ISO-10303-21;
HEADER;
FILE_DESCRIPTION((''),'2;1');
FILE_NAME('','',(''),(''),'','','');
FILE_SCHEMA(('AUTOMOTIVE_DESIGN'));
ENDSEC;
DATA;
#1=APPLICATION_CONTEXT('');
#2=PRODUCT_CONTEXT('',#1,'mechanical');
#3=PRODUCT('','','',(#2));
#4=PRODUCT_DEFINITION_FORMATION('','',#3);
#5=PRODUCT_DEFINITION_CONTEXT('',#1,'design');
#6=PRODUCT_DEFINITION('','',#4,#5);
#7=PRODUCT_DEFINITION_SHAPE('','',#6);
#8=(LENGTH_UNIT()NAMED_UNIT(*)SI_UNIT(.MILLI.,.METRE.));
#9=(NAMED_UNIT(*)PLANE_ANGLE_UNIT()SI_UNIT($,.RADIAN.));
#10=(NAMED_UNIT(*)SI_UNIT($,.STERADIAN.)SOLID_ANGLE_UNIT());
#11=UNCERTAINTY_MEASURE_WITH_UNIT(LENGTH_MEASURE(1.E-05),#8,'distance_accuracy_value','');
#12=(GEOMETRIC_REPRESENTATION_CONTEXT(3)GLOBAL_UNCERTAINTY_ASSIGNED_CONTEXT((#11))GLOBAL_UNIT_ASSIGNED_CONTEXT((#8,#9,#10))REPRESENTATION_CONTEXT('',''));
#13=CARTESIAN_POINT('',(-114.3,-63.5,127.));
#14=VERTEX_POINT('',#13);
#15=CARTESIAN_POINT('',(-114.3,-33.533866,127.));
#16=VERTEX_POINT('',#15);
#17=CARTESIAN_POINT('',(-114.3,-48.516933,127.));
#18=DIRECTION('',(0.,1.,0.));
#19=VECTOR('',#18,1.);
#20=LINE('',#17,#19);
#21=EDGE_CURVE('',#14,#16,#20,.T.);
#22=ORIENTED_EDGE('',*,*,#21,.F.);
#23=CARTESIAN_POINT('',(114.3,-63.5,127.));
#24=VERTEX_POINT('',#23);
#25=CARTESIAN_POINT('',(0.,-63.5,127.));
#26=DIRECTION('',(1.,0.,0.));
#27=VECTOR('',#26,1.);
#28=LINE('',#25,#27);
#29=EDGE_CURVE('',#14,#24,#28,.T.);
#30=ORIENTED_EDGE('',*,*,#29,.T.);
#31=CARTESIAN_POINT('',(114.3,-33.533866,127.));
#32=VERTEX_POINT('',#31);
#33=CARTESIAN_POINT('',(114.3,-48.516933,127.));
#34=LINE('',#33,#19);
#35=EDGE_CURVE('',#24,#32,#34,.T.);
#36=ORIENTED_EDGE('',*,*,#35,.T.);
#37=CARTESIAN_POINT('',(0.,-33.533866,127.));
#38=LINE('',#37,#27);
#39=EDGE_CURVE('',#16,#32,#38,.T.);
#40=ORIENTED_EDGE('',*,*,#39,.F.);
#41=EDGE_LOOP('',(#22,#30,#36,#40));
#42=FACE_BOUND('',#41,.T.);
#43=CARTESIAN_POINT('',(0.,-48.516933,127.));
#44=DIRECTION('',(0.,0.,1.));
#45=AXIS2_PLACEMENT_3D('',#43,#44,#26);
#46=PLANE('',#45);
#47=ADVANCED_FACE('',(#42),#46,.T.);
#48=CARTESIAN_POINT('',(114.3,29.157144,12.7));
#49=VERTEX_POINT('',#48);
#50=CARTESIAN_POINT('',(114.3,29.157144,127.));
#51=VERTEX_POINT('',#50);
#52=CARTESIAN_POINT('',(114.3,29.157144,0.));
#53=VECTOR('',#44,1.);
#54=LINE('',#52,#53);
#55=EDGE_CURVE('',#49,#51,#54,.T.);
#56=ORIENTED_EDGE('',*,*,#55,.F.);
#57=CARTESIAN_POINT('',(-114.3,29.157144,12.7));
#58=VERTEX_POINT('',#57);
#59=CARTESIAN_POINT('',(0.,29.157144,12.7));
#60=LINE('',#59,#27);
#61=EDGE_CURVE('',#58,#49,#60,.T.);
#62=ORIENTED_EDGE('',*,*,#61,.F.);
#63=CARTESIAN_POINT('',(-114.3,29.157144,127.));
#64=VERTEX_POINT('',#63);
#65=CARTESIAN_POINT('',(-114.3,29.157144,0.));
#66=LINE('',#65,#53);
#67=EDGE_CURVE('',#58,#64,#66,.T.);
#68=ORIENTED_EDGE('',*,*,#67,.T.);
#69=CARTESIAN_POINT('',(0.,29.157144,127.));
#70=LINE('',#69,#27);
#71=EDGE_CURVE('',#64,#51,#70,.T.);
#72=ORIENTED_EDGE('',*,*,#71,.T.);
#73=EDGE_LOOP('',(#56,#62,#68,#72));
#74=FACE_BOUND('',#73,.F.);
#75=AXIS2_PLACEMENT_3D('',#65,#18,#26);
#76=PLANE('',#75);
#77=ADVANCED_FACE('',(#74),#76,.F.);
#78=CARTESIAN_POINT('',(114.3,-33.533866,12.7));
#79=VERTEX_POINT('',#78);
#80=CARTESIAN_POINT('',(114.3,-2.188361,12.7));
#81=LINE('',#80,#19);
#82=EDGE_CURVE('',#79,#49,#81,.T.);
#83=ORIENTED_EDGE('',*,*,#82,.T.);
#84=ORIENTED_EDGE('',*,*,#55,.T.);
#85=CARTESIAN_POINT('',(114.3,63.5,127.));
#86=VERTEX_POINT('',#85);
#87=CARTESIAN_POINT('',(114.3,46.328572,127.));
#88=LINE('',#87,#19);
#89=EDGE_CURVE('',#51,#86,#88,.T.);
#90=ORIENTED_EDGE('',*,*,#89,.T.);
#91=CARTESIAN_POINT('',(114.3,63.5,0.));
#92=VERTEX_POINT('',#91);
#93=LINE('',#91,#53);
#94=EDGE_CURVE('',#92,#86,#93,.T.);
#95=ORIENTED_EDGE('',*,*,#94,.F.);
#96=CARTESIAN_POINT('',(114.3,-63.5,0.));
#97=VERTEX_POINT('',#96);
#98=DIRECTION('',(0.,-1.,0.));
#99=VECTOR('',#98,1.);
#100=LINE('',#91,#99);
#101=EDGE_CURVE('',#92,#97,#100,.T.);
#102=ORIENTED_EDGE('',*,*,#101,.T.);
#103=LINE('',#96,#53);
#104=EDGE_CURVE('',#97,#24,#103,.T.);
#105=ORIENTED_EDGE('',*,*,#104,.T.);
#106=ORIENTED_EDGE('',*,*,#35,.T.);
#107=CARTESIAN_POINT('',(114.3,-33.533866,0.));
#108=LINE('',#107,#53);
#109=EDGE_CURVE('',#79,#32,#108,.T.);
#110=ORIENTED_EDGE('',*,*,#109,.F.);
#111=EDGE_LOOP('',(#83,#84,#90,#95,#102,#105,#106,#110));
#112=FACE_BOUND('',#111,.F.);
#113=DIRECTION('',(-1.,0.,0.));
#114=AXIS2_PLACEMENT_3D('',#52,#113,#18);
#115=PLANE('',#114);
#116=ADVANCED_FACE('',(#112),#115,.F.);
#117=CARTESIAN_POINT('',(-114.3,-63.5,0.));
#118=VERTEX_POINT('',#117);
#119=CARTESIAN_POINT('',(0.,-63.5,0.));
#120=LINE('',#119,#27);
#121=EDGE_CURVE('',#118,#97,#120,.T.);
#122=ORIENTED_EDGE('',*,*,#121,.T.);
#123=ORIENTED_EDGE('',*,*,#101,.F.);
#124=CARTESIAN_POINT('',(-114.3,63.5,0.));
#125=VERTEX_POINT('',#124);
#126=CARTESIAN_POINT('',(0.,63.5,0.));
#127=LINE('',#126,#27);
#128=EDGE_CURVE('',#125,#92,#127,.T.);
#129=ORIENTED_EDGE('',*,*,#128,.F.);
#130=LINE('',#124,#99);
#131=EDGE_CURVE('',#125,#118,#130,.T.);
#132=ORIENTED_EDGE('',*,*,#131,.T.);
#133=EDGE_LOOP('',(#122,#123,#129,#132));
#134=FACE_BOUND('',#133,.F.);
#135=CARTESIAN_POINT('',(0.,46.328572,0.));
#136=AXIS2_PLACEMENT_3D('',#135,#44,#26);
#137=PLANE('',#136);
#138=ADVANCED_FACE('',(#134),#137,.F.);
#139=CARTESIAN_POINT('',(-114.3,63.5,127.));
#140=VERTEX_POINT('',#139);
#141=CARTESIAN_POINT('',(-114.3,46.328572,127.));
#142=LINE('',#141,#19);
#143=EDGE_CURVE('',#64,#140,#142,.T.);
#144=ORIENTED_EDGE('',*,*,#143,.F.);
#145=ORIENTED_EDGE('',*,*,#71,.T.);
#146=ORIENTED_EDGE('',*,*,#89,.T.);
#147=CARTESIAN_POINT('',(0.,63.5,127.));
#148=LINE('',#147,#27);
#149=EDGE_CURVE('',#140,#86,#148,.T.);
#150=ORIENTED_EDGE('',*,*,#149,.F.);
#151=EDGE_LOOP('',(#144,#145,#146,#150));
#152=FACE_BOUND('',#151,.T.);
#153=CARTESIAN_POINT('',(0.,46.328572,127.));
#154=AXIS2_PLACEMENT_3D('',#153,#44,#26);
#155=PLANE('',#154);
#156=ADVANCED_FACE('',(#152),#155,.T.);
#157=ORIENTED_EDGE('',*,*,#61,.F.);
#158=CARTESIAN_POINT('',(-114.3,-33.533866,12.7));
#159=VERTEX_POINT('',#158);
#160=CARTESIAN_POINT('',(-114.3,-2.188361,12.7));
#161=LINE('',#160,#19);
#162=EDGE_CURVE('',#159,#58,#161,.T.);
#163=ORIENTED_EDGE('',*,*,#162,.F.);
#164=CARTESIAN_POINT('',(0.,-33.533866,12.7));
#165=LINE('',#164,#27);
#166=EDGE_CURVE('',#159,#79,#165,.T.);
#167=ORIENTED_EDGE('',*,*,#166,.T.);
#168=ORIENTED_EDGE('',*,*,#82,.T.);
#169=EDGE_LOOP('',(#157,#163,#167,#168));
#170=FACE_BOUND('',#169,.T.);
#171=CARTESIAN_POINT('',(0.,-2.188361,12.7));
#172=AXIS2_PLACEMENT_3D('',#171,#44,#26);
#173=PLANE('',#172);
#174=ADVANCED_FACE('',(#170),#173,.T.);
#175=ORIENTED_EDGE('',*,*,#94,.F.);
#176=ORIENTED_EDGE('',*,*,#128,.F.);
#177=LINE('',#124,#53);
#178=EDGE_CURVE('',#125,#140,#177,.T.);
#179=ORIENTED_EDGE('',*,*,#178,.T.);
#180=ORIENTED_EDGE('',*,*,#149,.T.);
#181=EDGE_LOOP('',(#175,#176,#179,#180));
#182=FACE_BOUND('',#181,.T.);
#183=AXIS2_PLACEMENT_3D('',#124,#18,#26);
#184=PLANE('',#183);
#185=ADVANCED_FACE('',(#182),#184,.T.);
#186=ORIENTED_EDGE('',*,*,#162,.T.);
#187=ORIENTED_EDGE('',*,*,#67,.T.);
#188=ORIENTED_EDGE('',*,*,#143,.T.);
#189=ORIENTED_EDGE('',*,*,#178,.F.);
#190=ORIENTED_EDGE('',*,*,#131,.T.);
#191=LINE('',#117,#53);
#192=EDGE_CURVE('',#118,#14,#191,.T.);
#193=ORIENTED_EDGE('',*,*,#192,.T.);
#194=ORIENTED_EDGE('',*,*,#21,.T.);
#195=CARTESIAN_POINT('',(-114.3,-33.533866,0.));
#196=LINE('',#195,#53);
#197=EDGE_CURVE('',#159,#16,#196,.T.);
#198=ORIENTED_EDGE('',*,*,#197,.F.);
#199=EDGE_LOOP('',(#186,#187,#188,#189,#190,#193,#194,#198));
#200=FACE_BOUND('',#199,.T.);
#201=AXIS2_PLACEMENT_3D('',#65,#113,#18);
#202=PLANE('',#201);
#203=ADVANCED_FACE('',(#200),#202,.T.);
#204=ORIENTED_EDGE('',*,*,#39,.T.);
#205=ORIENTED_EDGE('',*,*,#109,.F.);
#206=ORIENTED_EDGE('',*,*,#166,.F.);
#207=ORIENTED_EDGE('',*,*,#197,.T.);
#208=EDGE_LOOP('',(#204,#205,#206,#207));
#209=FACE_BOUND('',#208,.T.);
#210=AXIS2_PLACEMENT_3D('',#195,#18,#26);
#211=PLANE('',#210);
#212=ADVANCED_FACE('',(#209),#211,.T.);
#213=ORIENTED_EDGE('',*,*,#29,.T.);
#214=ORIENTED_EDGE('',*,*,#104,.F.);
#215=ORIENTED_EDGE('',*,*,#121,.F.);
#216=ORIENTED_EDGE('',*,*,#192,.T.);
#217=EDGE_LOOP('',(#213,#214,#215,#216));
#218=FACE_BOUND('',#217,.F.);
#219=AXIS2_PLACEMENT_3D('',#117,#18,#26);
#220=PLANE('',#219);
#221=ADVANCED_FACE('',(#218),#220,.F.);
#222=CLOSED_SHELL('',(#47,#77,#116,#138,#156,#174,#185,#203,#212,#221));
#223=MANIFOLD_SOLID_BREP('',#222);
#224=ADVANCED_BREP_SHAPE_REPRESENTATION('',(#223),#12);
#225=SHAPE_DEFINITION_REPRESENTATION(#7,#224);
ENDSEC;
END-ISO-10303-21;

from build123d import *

# Parameters (mm, degrees)
F0_W     = 228.6
F0_H     = 62.69101
F1_DEPTH = 12.7
F0_H_2   = 34.342856
F0_H_3   = 29.966134
F2_DEPTH = 127


with BuildPart() as f1:
    # F0 (on Top) → F1 (new body)
    with BuildSketch(Plane.XY):
        with Locations((0, -2.188361)):
            Rectangle(F0_W, F0_H)
    extrude(amount=F1_DEPTH)

    # F0 (on Top) → F2 (join)
    with BuildSketch(Plane.XY):
        with Locations((0, 46.328572)):
            Rectangle(F0_W, F0_H_2)
        with Locations((0, -48.516933)):
            Rectangle(F0_W, F0_H_3)
    extrude(amount=F2_DEPTH)


solid = f1.part
